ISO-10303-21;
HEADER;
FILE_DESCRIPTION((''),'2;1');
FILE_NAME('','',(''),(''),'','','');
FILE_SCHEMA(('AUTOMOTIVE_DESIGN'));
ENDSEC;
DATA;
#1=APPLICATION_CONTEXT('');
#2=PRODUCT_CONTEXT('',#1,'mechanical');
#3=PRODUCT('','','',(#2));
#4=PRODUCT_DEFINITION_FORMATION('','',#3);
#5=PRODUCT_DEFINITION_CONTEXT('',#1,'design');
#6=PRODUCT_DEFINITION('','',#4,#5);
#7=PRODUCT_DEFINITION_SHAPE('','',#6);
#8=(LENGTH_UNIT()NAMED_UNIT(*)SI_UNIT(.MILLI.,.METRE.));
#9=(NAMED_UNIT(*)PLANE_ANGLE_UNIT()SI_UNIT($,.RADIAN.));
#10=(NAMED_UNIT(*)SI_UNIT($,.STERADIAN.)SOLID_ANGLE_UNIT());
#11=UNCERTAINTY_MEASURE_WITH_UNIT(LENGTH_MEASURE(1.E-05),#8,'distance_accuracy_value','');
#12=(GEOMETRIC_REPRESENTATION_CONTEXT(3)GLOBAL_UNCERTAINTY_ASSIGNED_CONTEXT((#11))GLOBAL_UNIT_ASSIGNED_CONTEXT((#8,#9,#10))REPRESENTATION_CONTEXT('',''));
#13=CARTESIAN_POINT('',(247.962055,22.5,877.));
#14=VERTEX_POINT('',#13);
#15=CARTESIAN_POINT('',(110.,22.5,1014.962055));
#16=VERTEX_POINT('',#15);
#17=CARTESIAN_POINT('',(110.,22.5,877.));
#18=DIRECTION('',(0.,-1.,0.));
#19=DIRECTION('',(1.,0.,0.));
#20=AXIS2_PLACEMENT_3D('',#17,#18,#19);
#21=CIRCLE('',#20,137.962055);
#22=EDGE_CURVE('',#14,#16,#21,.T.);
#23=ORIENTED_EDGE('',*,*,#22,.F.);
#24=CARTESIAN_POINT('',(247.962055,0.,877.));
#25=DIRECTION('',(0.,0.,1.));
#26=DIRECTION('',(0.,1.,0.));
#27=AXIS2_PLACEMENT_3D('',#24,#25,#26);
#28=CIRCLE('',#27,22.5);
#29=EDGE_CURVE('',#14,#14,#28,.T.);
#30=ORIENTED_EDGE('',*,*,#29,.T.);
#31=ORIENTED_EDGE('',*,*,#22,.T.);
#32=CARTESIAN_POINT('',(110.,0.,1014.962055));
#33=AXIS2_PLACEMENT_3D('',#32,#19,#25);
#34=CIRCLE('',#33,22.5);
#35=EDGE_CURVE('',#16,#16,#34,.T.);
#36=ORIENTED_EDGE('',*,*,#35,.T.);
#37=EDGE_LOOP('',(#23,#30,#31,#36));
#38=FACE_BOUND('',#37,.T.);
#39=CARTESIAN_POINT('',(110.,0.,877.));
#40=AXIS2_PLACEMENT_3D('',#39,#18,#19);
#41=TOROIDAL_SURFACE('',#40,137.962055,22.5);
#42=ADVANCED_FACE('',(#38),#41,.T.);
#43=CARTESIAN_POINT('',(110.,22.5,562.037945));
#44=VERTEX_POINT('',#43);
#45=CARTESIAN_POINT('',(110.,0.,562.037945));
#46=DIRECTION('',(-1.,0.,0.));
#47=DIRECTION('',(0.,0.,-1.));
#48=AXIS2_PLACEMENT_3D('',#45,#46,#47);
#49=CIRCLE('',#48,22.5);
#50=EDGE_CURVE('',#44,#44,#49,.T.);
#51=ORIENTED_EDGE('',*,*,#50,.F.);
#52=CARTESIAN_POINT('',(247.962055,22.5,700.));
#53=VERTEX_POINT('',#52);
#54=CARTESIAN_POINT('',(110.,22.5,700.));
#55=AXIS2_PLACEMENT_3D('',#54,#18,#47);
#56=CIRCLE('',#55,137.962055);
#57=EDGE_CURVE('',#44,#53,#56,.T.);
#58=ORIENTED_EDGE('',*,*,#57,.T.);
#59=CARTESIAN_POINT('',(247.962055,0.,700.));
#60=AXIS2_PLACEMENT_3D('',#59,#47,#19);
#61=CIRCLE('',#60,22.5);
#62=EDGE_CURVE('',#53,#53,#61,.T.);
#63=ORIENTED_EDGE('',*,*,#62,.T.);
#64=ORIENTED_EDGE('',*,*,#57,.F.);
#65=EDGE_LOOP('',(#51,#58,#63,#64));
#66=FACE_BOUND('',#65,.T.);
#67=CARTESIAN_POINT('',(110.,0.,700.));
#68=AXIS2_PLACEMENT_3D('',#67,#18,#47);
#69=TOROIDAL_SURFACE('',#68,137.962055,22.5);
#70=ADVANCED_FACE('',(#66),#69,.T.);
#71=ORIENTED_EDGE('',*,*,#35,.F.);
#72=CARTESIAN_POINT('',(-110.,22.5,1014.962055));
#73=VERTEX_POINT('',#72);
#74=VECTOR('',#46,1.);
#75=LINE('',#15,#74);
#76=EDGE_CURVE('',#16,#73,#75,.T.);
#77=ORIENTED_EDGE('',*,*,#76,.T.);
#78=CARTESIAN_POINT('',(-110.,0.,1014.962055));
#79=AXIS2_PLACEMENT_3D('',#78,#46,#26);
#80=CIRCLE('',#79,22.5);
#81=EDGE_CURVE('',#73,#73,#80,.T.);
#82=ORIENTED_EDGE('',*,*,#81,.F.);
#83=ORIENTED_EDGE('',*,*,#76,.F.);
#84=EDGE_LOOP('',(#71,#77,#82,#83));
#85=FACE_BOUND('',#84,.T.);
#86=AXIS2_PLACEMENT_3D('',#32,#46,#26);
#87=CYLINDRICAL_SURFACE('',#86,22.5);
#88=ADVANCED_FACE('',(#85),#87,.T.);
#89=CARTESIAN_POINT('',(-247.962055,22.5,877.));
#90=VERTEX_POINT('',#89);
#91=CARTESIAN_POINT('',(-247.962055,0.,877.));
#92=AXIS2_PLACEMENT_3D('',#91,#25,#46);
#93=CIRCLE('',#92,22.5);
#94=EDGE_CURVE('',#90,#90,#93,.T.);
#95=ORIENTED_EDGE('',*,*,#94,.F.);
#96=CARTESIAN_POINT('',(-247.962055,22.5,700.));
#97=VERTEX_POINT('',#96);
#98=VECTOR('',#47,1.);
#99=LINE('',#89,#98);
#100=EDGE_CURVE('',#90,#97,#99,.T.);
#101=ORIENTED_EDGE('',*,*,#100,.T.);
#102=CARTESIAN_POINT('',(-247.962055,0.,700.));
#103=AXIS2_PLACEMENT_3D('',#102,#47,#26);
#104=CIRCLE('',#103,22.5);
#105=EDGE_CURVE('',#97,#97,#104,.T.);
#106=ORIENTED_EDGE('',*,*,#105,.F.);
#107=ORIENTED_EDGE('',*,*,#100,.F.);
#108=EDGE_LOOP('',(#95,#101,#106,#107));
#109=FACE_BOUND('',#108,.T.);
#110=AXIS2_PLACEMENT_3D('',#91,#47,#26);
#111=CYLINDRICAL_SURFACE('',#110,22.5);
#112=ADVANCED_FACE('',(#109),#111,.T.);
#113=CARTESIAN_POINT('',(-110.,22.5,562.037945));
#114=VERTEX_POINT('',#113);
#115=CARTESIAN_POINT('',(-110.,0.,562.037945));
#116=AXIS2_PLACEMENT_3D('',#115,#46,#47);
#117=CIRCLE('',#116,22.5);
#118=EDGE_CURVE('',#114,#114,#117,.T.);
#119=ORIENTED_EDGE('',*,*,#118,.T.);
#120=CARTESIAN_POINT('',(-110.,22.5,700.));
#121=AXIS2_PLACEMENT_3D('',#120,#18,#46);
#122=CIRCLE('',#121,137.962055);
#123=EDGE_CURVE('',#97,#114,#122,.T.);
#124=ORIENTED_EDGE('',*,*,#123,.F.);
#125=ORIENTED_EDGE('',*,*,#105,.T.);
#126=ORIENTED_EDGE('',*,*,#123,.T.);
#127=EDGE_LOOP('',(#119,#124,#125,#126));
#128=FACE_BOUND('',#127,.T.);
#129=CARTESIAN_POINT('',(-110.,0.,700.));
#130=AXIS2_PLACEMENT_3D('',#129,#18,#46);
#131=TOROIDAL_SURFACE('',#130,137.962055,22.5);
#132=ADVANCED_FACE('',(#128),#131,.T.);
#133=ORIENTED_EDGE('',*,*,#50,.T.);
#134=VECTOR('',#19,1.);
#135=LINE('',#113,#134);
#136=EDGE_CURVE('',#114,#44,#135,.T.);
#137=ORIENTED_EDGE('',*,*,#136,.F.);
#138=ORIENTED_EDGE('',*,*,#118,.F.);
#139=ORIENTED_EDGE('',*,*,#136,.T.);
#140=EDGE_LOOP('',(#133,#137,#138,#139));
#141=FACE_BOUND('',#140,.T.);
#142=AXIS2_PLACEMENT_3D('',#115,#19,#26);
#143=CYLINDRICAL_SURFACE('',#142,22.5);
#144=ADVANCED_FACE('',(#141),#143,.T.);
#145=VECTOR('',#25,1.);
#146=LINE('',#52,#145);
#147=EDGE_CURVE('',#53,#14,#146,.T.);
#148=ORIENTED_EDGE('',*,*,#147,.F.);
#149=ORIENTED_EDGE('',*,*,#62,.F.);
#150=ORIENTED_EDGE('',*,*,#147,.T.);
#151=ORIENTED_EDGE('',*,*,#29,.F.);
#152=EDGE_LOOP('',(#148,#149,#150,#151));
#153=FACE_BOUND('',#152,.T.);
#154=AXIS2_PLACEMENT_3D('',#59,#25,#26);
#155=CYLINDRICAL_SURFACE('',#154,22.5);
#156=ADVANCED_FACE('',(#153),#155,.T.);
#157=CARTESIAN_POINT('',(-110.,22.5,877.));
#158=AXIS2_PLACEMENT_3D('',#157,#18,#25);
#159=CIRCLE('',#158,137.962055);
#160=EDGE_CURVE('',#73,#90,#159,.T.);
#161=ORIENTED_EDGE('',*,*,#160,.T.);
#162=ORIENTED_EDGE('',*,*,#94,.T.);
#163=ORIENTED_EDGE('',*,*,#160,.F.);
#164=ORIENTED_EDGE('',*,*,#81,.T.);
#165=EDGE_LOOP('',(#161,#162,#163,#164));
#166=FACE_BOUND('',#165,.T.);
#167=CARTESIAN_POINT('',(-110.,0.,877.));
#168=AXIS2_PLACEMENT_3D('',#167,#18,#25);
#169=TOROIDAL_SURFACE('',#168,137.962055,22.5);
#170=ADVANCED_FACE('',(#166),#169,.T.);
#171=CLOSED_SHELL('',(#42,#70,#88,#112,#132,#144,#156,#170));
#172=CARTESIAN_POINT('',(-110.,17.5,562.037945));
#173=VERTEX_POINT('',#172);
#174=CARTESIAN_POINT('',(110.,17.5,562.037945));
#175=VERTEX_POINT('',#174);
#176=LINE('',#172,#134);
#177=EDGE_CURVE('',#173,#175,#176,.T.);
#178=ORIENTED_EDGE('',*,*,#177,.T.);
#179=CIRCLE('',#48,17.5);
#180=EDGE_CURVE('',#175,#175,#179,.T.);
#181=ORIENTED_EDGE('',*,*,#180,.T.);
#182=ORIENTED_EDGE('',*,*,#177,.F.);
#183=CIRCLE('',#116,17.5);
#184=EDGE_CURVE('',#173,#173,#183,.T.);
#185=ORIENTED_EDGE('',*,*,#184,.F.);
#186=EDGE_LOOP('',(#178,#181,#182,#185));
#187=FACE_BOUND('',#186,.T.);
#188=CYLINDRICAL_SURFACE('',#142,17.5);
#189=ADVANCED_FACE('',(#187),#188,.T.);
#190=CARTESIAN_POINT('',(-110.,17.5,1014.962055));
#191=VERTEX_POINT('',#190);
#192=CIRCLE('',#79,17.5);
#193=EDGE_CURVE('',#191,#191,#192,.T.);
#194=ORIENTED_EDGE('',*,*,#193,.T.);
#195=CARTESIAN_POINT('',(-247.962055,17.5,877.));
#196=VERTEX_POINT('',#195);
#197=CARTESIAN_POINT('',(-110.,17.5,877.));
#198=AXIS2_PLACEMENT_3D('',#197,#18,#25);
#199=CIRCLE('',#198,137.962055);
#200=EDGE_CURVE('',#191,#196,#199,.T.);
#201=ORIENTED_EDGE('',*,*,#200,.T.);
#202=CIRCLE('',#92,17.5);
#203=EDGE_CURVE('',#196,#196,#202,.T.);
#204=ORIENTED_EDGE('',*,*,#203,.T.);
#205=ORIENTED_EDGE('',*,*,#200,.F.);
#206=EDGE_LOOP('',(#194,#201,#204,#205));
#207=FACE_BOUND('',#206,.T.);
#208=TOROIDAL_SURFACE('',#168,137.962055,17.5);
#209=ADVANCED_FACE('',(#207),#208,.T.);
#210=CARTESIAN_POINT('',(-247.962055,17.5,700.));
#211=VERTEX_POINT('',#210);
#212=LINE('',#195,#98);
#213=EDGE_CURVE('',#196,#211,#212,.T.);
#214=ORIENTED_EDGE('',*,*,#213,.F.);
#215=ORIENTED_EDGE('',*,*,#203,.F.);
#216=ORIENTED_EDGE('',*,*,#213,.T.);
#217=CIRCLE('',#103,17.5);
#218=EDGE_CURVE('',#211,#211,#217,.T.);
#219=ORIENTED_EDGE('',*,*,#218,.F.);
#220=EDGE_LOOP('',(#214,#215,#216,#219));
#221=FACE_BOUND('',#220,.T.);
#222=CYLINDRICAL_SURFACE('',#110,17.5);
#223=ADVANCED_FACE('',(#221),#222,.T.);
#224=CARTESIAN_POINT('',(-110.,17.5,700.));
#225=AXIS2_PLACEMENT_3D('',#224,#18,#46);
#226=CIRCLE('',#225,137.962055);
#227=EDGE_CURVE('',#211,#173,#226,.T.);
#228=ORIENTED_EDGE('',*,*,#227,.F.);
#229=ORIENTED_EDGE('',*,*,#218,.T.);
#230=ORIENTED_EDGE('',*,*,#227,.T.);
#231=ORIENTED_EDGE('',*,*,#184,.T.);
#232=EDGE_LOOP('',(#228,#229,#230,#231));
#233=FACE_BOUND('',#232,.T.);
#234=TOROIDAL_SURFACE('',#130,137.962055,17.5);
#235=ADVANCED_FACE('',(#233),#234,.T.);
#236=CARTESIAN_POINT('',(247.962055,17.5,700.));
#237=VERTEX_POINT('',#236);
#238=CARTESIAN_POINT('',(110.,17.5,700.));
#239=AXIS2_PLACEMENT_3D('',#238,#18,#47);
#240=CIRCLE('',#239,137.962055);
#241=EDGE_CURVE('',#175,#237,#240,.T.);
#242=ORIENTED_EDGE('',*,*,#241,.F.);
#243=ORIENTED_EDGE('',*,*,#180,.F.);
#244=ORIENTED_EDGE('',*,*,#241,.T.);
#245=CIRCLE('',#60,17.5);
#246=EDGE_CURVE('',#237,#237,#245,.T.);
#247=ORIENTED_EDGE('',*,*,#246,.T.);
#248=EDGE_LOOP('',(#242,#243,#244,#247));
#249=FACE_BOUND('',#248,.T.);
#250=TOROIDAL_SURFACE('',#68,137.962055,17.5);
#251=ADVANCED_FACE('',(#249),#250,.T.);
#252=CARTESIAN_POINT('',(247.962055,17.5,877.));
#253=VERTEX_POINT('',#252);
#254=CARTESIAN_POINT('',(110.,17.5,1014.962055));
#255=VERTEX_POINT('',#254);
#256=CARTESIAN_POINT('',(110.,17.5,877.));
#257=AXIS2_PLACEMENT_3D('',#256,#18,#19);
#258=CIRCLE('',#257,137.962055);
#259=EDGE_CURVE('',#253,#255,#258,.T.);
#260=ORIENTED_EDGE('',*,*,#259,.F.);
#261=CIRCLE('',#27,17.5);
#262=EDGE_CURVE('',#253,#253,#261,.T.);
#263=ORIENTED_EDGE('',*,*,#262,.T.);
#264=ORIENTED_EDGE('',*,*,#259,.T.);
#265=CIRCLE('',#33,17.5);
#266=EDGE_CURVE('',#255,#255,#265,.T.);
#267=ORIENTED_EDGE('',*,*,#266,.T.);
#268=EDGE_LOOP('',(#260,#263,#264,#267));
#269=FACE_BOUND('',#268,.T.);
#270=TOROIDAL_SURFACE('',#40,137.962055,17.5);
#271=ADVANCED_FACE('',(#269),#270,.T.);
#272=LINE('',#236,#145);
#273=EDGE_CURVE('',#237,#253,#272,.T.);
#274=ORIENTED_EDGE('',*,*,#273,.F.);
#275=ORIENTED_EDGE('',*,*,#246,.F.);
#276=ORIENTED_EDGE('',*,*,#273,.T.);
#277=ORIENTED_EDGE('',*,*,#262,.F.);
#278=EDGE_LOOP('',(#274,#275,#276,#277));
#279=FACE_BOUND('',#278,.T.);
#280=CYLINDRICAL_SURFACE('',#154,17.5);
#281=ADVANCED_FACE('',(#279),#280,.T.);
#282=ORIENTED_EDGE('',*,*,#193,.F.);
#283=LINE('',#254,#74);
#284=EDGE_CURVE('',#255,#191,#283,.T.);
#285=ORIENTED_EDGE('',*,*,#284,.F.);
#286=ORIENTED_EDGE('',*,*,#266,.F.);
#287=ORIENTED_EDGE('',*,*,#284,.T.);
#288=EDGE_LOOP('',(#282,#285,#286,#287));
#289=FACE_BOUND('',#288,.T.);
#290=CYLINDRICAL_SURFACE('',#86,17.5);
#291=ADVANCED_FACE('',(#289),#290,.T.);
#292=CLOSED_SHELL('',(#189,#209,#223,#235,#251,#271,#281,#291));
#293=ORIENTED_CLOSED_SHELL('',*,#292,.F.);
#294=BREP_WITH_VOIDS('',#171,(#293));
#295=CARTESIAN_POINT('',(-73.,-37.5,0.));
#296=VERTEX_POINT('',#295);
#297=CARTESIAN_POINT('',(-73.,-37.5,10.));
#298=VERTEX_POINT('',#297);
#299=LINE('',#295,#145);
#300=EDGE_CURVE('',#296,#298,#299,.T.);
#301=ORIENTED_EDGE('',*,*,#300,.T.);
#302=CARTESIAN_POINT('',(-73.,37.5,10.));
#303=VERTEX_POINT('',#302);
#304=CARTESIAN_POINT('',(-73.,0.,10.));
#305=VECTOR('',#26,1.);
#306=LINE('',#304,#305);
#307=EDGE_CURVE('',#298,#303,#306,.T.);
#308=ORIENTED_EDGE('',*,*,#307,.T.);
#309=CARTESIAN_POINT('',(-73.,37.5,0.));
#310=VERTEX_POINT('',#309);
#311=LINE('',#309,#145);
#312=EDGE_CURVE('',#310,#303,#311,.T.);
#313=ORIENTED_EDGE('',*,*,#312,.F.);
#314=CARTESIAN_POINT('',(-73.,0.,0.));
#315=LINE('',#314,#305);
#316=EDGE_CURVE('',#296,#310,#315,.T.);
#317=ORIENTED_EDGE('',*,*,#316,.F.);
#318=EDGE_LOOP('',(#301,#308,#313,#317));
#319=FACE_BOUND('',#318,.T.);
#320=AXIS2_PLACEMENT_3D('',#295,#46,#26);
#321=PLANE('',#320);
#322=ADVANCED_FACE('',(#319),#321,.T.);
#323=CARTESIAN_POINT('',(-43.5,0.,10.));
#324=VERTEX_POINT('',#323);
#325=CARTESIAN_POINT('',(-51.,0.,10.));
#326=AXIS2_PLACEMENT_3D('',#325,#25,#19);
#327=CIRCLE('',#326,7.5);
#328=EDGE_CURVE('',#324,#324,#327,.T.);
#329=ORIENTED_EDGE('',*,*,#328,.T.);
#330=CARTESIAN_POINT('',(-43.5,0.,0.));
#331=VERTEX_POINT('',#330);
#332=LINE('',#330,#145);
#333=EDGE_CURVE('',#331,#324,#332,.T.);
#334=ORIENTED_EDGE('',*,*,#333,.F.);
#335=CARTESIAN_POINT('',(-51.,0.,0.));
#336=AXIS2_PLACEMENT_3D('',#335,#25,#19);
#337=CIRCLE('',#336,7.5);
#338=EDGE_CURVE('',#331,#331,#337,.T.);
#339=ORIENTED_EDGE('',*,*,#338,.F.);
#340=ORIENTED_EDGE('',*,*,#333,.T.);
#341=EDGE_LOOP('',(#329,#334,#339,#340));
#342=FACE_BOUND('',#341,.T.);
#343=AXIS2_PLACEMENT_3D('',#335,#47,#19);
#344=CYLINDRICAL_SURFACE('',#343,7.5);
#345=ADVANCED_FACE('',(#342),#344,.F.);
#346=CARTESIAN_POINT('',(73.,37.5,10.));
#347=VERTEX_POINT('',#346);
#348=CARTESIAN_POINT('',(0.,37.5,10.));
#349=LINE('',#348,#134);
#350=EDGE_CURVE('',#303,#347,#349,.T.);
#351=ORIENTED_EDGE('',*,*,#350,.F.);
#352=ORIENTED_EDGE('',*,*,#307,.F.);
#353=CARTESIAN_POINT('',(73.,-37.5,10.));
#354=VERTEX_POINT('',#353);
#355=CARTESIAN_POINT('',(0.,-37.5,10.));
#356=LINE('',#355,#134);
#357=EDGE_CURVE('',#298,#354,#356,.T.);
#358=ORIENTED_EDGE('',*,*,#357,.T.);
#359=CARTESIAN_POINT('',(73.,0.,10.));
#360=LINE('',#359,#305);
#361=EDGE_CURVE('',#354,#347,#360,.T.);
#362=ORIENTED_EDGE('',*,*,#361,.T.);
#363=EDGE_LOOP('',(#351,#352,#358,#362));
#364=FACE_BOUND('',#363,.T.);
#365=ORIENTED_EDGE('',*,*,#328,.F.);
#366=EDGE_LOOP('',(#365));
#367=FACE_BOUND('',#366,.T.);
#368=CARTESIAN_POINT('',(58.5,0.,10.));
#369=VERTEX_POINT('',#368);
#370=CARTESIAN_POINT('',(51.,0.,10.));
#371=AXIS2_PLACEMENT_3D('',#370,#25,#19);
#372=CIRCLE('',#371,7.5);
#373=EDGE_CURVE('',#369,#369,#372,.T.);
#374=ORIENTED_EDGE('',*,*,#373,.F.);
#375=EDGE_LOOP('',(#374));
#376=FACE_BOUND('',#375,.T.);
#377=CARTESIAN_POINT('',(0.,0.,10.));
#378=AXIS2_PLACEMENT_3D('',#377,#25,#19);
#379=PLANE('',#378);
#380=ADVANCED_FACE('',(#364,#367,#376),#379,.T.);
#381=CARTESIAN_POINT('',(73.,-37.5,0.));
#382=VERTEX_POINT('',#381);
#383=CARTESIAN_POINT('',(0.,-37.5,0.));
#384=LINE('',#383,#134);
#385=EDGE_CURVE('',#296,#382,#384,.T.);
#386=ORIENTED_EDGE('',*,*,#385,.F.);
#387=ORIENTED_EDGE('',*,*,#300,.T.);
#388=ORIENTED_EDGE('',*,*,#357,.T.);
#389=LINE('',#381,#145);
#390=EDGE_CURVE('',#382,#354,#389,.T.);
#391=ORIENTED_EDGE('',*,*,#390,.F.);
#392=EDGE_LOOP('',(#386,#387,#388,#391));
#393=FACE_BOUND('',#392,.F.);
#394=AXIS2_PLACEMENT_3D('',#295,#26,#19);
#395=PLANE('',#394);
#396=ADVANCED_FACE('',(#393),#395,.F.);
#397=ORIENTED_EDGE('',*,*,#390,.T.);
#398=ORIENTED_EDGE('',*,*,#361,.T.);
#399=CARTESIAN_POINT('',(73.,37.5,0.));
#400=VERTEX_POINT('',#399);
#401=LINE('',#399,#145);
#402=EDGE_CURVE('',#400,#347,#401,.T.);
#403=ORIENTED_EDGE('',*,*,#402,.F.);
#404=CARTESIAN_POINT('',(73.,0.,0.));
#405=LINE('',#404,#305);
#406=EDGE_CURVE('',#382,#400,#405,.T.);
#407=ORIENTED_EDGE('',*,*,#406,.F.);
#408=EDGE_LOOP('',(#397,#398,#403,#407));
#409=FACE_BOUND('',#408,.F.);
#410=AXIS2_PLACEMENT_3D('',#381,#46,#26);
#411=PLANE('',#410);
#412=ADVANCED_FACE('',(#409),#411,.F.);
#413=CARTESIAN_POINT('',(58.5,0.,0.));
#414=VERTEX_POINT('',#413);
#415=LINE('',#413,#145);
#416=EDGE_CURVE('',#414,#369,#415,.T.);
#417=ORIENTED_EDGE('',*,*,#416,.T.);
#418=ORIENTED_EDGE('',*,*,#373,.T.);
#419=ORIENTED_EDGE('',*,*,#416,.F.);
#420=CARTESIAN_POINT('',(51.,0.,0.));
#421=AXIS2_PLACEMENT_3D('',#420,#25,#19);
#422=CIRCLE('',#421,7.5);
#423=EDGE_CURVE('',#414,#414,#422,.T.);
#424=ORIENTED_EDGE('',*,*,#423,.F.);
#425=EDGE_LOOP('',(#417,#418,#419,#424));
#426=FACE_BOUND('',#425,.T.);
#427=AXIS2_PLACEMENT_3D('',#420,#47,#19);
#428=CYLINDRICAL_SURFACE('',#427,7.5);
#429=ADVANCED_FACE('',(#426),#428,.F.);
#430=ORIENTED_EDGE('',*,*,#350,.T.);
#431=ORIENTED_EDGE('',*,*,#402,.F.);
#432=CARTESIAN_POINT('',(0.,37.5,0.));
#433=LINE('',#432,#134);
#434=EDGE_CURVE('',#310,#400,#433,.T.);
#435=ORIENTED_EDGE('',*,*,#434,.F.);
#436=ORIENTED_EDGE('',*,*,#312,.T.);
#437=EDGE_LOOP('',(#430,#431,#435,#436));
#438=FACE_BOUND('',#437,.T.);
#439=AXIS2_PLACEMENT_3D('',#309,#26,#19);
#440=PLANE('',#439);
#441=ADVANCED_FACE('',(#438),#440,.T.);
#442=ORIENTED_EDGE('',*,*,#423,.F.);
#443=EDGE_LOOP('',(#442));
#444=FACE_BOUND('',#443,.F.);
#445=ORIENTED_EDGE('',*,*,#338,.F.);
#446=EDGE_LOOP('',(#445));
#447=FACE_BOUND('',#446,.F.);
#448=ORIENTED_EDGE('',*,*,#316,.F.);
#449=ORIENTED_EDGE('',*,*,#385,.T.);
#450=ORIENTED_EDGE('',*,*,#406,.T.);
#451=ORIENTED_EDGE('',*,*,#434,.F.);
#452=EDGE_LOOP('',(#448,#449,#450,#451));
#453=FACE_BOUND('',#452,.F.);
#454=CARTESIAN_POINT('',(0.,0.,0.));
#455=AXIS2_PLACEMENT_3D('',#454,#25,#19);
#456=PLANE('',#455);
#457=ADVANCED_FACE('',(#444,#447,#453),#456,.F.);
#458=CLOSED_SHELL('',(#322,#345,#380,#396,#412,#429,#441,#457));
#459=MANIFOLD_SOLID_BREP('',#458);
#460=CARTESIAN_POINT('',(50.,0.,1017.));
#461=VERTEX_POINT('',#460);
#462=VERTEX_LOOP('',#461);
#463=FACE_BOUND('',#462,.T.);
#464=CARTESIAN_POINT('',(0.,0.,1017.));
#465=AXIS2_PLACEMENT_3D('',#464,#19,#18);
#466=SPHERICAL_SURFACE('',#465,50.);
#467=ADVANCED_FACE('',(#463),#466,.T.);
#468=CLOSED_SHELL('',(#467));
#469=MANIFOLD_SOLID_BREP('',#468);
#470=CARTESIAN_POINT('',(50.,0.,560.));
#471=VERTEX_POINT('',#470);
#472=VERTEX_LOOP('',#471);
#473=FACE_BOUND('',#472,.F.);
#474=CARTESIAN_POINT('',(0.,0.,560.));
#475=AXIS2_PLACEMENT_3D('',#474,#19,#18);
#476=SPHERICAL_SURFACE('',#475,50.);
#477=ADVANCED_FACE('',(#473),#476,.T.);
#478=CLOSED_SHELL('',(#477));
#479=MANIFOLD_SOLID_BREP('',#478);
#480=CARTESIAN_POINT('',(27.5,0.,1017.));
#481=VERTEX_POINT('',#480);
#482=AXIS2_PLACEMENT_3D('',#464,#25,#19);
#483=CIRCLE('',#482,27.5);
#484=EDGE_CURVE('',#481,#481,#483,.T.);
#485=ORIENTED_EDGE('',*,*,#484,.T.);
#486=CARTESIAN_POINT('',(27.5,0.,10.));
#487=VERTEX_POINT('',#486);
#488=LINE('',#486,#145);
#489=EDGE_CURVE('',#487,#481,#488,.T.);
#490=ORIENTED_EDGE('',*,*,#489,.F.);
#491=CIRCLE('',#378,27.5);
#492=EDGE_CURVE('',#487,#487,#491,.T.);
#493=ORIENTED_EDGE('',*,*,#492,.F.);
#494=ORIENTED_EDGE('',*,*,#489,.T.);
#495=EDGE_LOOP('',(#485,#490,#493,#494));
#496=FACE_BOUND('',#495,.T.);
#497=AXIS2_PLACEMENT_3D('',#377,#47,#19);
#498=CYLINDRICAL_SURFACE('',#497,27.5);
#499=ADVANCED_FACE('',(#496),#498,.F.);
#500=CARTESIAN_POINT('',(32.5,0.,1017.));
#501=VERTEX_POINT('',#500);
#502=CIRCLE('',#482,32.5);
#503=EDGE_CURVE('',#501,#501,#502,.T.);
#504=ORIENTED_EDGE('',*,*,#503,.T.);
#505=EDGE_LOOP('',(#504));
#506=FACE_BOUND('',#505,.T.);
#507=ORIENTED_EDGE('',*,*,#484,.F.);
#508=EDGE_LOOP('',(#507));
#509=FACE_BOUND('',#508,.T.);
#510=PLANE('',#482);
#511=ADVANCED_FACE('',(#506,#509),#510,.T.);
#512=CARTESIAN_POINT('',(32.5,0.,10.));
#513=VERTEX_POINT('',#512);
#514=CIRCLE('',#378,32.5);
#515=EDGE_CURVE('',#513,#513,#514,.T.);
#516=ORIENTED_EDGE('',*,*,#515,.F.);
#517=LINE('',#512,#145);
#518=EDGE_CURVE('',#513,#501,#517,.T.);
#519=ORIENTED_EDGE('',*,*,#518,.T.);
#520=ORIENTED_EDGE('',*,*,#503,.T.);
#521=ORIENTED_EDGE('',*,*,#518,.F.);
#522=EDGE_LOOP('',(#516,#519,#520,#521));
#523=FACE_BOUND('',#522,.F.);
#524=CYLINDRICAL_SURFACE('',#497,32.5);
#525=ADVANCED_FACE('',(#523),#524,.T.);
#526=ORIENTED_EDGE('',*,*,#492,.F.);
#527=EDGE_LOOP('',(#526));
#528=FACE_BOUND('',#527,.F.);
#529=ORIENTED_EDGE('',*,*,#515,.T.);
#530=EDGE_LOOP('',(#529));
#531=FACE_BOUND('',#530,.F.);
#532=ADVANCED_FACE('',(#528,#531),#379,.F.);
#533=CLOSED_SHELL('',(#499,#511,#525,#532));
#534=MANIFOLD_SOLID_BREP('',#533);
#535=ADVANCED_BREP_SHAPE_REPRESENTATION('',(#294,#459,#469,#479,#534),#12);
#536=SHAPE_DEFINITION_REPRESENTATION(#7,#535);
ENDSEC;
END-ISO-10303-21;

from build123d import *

# Parameters (mm, degrees)
F1_R      = 22.5
F1_R_2    = 17.5
F4_START  = 10
F3_R      = 32.5
F3_R_2    = 27.5
F4_DEPTH  = 1007
F9_W      = 146
F9_H      = 75
F9_R      = 7.5
F10_DEPTH = 10


with BuildPart() as f2:
    # F2: sweep along a path in F0
    with BuildLine(Plane.XZ) as f2_path:
        Line((0, 560), (110, 560))
        ThreePointArc((110, 560), (208.9949493661, 601.0050506339), (250, 700))
        Line((250, 700), (250, 877))
        ThreePointArc((250, 877), (208.9949493661, 975.9949493661), (110, 1017))
        Line((110, 1017), (0, 1017))
        Line((0, 1017), (-110, 1017))
        ThreePointArc((-110, 1017), (-208.9949493661, 975.9949493661), (-250, 877))
        Line((-250, 877), (-250, 700))
        ThreePointArc((-250, 700), (-208.9949493661, 601.0050506339), (-110, 560))
        Line((-110, 560), (0, 560))
    # F1 (on Right) → F2 (sweep)
    with BuildSketch(Plane.YZ):
        with Locations((0, 562.0379447937)):
            Circle(F1_R)
        with Locations((0, 562.0379447937)):
            Circle(F1_R_2, mode=Mode.SUBTRACT)
    sweep(path=f2_path.line)


with BuildPart() as f4:
    # F3 (on Top) → F4 (new body)
    with BuildSketch(Plane.XY.offset(F4_START)):
        Circle(F3_R)
        Circle(F3_R_2, mode=Mode.SUBTRACT)
    extrude(amount=F4_DEPTH)


with BuildPart() as f6:
    # F5 (on face) → F6 (revolve)
    with BuildSketch(Plane.XY.offset(1017)):
        with BuildLine():
            Line((50, 0), (-50, 0))
            ThreePointArc((-50, 0), (0, -50), (50, 0))
        make_face()
    revolve(axis=Axis((0, 0, 1017), (1, 0, 0)))


with BuildPart() as f8_1:
    # F8: instance of F6
    add(f6.part.mirror(Plane.XY.offset(788.5)))


with BuildPart() as f10:
    # F9 (on Top) → F10 (new body)
    with BuildSketch(Plane.XY):
        Rectangle(F9_W, F9_H)
        with Locations((-51, 0)):
            Circle(F9_R, mode=Mode.SUBTRACT)
        with Locations((51, 0)):
            Circle(F9_R, mode=Mode.SUBTRACT)
    extrude(amount=F10_DEPTH)


solid = Compound([f2.part, f4.part, f6.part, f8_1.part, f10.part])
